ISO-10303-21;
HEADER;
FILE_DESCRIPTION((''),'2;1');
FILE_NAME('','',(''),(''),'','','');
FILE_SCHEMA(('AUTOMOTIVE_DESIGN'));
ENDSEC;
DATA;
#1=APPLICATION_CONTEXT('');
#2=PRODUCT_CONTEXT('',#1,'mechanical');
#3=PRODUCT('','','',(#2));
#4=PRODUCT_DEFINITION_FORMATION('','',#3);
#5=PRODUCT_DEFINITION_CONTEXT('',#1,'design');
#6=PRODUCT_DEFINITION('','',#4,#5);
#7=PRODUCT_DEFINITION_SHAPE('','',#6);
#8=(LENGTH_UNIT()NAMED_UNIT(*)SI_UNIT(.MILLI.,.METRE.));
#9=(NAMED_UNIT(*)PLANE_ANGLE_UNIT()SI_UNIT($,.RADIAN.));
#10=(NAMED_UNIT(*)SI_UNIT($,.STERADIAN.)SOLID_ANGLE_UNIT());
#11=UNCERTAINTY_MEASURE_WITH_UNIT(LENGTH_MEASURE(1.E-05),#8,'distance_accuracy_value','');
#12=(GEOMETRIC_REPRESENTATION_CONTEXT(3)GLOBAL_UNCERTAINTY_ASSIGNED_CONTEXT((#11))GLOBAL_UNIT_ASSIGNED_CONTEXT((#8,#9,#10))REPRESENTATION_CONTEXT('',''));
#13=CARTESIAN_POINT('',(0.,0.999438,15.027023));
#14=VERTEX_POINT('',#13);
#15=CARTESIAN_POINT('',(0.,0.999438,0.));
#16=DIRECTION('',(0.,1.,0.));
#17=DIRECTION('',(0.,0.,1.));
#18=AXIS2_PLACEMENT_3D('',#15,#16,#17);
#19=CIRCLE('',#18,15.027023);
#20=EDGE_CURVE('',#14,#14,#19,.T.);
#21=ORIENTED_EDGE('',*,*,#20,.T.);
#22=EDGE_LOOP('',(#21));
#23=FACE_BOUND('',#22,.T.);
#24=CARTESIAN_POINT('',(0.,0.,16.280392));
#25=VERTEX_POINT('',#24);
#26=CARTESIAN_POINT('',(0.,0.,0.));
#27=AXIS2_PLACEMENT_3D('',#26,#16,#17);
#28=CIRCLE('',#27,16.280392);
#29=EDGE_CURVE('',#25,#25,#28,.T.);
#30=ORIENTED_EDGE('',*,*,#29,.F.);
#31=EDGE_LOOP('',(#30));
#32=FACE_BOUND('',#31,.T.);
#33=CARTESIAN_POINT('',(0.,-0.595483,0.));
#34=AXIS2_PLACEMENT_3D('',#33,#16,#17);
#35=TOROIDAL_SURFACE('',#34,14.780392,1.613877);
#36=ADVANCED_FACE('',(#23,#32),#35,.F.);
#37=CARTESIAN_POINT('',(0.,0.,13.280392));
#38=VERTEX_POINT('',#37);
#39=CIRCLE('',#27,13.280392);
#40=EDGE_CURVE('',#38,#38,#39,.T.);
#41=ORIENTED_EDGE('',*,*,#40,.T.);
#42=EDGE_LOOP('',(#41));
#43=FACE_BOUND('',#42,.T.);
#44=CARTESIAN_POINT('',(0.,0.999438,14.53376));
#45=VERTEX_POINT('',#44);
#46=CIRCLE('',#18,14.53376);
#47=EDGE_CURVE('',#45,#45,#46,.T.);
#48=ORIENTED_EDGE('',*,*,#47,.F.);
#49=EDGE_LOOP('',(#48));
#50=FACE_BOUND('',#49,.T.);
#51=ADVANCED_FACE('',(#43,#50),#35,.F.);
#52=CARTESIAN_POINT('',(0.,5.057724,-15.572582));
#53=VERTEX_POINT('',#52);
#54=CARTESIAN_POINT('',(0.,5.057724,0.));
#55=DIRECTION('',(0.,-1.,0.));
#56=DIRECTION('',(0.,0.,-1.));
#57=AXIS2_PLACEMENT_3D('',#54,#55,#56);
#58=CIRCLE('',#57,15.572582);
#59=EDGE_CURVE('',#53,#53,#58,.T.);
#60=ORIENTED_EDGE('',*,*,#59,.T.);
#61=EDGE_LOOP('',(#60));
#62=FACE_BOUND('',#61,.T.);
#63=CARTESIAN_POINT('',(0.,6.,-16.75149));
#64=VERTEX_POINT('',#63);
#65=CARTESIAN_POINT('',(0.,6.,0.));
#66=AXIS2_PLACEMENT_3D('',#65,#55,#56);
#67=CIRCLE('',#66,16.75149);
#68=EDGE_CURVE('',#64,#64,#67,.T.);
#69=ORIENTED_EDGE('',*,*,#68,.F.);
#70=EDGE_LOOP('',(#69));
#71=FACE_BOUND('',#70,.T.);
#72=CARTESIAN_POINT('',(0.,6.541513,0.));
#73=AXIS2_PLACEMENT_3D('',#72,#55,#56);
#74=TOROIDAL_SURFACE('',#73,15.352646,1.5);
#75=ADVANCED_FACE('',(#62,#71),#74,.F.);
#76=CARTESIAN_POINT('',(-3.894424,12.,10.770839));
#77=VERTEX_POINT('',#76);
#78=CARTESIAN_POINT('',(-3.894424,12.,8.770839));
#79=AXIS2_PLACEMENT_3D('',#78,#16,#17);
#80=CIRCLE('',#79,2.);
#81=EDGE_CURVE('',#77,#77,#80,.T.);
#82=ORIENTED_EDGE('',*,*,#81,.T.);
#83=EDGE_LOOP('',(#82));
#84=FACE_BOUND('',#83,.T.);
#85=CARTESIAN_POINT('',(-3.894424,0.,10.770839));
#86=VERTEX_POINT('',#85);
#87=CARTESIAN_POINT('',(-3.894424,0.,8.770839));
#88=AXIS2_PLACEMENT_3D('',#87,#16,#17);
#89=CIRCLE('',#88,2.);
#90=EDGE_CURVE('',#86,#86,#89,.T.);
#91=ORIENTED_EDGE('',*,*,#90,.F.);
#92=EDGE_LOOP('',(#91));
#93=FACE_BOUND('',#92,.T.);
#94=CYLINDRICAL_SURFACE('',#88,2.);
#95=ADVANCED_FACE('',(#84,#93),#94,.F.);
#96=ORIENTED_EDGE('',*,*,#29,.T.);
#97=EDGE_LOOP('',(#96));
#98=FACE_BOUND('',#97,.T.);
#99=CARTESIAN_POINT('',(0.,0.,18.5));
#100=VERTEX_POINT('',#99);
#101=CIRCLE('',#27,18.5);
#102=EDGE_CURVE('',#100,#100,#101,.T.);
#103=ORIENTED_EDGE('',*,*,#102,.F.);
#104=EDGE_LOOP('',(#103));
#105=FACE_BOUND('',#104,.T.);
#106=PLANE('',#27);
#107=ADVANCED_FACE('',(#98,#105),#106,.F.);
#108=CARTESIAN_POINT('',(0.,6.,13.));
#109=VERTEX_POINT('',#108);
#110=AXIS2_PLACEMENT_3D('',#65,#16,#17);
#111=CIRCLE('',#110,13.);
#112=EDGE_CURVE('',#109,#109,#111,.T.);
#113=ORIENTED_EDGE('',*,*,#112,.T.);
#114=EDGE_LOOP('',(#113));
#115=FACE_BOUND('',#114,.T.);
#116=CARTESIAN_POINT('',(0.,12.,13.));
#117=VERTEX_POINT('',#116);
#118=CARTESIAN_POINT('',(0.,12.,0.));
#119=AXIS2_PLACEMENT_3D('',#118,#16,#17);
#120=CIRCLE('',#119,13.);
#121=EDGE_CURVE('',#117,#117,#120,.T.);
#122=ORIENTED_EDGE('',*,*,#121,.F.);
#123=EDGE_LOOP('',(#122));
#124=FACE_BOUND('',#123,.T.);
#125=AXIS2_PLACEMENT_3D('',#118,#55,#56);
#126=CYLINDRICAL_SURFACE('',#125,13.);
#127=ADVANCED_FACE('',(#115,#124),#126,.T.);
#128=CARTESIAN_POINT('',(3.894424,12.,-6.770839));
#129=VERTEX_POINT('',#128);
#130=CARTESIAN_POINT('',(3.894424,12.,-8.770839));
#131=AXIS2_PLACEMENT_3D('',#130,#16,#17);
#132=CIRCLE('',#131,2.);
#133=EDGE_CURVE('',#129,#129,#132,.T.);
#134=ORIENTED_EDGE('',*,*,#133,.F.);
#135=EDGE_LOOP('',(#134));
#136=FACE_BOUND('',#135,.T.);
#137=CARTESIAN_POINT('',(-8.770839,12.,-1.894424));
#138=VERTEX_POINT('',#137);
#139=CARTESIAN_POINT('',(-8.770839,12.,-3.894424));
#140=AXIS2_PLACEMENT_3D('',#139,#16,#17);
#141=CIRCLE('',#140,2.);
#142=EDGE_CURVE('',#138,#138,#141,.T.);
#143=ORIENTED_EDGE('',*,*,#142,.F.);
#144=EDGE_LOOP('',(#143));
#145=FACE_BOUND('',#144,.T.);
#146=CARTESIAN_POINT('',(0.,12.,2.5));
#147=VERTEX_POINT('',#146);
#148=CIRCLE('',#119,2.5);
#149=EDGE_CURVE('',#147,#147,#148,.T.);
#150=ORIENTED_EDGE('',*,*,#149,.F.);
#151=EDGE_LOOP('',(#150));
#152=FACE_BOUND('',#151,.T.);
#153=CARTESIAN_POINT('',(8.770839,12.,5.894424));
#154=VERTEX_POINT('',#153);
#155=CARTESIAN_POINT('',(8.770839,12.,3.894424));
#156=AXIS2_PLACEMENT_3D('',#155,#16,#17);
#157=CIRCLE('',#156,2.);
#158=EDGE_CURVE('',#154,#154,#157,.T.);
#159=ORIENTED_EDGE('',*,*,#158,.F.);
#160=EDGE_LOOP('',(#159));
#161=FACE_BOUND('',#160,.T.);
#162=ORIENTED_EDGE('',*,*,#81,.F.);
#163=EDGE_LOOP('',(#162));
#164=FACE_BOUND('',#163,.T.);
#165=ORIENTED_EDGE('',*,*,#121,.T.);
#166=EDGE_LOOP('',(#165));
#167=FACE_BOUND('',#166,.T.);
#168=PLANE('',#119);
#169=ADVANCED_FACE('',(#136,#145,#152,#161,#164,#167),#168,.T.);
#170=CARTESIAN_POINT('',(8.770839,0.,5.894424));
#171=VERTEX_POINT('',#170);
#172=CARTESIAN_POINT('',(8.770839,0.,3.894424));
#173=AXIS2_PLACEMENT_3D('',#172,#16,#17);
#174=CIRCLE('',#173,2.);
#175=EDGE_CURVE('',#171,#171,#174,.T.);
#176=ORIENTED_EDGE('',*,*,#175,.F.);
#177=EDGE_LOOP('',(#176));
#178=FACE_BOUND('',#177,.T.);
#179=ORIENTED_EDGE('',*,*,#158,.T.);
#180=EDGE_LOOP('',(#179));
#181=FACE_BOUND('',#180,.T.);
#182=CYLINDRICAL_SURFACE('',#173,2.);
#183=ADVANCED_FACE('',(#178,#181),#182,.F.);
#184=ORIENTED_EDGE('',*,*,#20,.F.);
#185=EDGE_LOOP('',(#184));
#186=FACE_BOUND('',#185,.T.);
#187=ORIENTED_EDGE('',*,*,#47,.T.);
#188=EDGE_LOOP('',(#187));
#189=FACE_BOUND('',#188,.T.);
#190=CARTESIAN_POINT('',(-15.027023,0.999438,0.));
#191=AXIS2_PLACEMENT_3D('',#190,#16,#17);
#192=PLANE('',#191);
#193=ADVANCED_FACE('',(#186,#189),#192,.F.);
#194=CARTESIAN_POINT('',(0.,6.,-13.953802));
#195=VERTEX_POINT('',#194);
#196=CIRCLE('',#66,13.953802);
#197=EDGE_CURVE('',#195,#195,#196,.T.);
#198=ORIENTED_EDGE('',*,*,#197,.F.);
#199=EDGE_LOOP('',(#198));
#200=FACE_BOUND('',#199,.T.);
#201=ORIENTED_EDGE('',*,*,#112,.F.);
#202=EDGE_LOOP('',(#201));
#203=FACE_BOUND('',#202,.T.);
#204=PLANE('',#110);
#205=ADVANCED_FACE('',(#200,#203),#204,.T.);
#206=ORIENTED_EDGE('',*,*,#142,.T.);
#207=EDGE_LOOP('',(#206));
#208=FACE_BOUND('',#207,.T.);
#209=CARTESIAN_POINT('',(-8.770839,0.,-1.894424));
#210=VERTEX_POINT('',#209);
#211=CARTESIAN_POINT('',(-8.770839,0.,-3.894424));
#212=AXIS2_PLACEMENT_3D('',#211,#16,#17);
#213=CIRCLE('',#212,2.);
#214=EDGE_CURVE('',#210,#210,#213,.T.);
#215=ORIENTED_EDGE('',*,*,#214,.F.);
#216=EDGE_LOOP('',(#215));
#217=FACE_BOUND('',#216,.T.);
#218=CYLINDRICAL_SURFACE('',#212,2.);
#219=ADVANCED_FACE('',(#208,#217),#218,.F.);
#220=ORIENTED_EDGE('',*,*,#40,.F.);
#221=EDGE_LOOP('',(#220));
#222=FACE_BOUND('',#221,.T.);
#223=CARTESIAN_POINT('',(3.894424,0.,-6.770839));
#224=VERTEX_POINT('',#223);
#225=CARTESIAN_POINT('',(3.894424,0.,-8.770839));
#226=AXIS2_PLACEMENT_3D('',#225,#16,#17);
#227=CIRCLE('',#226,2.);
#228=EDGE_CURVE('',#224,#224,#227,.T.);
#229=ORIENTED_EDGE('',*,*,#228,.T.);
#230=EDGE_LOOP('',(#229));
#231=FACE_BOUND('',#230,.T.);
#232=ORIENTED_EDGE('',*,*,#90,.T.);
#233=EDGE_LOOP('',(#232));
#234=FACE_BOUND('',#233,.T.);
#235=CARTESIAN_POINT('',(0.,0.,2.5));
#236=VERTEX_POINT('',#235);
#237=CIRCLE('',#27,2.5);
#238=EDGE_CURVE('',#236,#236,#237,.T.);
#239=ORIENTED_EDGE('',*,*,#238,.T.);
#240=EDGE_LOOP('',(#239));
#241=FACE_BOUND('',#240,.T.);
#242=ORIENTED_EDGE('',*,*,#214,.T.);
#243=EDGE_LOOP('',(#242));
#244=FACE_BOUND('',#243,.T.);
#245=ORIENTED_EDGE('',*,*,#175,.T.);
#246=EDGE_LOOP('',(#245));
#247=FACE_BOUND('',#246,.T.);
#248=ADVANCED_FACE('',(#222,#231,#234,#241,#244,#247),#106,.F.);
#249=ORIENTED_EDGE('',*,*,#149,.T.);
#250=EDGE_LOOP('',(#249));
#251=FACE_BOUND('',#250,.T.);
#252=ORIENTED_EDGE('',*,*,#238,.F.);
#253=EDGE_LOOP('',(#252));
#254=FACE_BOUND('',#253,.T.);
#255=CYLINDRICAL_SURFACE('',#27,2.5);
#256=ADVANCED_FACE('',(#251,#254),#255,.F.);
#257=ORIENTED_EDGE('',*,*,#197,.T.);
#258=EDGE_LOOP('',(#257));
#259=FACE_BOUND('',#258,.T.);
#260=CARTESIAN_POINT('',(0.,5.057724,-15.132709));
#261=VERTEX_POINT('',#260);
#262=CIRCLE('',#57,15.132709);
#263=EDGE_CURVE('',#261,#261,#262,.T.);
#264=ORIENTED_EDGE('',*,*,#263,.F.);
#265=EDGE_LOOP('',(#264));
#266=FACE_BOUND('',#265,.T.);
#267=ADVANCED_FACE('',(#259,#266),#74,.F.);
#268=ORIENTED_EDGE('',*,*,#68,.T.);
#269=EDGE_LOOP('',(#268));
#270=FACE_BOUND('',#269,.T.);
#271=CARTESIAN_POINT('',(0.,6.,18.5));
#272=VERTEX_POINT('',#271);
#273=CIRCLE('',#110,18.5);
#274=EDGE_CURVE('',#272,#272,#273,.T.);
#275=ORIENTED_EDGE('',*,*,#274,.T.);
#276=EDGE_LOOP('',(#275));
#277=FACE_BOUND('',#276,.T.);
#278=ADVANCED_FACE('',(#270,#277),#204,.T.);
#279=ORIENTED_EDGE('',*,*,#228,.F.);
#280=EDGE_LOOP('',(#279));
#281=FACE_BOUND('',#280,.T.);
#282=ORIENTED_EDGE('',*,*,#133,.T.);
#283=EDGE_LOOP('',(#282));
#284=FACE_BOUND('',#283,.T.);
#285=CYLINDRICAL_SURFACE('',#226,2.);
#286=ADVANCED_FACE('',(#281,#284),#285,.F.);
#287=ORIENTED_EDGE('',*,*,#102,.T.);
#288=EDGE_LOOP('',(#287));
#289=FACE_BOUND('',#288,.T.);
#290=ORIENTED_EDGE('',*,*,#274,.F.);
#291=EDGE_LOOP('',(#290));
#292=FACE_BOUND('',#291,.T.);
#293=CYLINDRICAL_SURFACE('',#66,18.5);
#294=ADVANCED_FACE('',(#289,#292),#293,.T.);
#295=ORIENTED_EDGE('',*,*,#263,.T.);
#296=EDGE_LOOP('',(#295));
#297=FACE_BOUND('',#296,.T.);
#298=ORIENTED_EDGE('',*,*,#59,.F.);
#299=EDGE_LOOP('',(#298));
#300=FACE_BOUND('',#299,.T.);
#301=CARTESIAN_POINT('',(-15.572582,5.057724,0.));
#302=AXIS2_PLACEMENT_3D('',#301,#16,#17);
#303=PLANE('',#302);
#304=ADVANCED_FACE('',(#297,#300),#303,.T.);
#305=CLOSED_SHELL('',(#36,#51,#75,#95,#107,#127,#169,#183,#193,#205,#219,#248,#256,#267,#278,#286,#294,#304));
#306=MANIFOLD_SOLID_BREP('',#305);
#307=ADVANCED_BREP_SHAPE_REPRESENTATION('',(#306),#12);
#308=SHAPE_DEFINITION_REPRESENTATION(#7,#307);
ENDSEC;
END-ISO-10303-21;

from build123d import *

# Parameters (mm, degrees)
SKETCH_1_R          = 18.5
EXTRUDE_1_DEPTH     = 6
SKETCH_6_R          = 13
EXTRUDE_2_DEPTH     = 6
SKETCH_8_R          = 2.5
SKETCH_8_R_2        = 2
CUT_EXTRUDE_1_DEPTH = 29.783675971


with BuildPart() as part:
    # Эскиз1 → Вытянуть1 (new body)
    with BuildSketch(Plane(origin=(0, 0, 0), x_dir=(1, 0, 0), z_dir=(0, 1, 0))):
        with Locations(Location((0, 0, 0), (0, 0, 270))):
            Circle(SKETCH_1_R)
    extrude(amount=EXTRUDE_1_DEPTH)

    # Вырез-По траектории1: sweep along a path in Эскиз3
    with BuildLine(Plane.XZ) as sweep_1_path:
        CenterArc((0, 0), 14.780391545, 0, 360)
    # Эскиз2 → Вырез-По траектории1 (sweep, cut)
    with BuildSketch(Plane.XY):
        with BuildLine():
            Line((-16.280391545, 0), (-13.280391545, 0))
            ThreePointArc((-13.280391545, 0), (-13.774210945, 0.666341341), (-14.533760145, 0.999438018))
            Line((-14.533760145, 0.999438018), (-15.027022944, 0.999438018))
            ThreePointArc((-15.027022944, 0.999438018), (-15.786572145, 0.666341341), (-16.280391545, 0))
        make_face()
    sweep(path=sweep_1_path.line, mode=Mode.SUBTRACT)

    # Вырез-По траектории2: sweep along a path in Эскиз5
    with BuildLine(Plane(origin=(0, 6, 0), x_dir=(1, 0, 0), z_dir=(0, 1, 0))) as sweep_2_path:
        CenterArc((0, 0), 15.352645825, 0, 360)
    # Эскиз4 → Вырез-По траектории2 (sweep, cut)
    with BuildSketch(Plane.XY):
        with BuildLine():
            Line((-16.751489622, 6), (-13.953802029, 6))
            ThreePointArc((-13.953802029, 6), (-14.416118652, 5.369797379), (-15.13270948, 5.05772433))
            Line((-15.13270948, 5.05772433), (-15.572582171, 5.05772433))
            ThreePointArc((-15.572582171, 5.05772433), (-16.289172999, 5.369797379), (-16.751489622, 6))
        make_face()
    sweep(path=sweep_2_path.line, mode=Mode.SUBTRACT)

    # Эскиз6 → Вытянуть2 (add)
    with BuildSketch(Plane(origin=(0, 6, 0), x_dir=(1, 0, 0), z_dir=(0, 1, 0))):
        with Locations(Location((0, 0, 0), (0, 0, 270))):
            Circle(SKETCH_6_R)
    extrude(amount=EXTRUDE_2_DEPTH)

    # Эскиз8 → Вырез-Вытянуть1 (cut, through all)
    with BuildSketch(Plane(origin=(0, 12, 0), x_dir=(1, 0, 0), z_dir=(0, 1, 0))):
        with Locations(Location((0, 0, 0), (0, 0, 270))):
            Circle(SKETCH_8_R)
        with Locations(Location((-3.894424366, -8.770838888, 0), (0, 0, 270))):
            Circle(SKETCH_8_R_2)
        with Locations(Location((8.770838888, -3.894424366, 0), (0, 0, 270))):
            Circle(SKETCH_8_R_2)
        with Locations(Location((3.894424366, 8.770838888, 0), (0, 0, 270))):
            Circle(SKETCH_8_R_2)
        with Locations(Location((-8.770838888, 3.894424366, 0), (0, 0, 270))):
            Circle(SKETCH_8_R_2)
    extrude(amount=-CUT_EXTRUDE_1_DEPTH, mode=Mode.SUBTRACT)


solid = part.part
